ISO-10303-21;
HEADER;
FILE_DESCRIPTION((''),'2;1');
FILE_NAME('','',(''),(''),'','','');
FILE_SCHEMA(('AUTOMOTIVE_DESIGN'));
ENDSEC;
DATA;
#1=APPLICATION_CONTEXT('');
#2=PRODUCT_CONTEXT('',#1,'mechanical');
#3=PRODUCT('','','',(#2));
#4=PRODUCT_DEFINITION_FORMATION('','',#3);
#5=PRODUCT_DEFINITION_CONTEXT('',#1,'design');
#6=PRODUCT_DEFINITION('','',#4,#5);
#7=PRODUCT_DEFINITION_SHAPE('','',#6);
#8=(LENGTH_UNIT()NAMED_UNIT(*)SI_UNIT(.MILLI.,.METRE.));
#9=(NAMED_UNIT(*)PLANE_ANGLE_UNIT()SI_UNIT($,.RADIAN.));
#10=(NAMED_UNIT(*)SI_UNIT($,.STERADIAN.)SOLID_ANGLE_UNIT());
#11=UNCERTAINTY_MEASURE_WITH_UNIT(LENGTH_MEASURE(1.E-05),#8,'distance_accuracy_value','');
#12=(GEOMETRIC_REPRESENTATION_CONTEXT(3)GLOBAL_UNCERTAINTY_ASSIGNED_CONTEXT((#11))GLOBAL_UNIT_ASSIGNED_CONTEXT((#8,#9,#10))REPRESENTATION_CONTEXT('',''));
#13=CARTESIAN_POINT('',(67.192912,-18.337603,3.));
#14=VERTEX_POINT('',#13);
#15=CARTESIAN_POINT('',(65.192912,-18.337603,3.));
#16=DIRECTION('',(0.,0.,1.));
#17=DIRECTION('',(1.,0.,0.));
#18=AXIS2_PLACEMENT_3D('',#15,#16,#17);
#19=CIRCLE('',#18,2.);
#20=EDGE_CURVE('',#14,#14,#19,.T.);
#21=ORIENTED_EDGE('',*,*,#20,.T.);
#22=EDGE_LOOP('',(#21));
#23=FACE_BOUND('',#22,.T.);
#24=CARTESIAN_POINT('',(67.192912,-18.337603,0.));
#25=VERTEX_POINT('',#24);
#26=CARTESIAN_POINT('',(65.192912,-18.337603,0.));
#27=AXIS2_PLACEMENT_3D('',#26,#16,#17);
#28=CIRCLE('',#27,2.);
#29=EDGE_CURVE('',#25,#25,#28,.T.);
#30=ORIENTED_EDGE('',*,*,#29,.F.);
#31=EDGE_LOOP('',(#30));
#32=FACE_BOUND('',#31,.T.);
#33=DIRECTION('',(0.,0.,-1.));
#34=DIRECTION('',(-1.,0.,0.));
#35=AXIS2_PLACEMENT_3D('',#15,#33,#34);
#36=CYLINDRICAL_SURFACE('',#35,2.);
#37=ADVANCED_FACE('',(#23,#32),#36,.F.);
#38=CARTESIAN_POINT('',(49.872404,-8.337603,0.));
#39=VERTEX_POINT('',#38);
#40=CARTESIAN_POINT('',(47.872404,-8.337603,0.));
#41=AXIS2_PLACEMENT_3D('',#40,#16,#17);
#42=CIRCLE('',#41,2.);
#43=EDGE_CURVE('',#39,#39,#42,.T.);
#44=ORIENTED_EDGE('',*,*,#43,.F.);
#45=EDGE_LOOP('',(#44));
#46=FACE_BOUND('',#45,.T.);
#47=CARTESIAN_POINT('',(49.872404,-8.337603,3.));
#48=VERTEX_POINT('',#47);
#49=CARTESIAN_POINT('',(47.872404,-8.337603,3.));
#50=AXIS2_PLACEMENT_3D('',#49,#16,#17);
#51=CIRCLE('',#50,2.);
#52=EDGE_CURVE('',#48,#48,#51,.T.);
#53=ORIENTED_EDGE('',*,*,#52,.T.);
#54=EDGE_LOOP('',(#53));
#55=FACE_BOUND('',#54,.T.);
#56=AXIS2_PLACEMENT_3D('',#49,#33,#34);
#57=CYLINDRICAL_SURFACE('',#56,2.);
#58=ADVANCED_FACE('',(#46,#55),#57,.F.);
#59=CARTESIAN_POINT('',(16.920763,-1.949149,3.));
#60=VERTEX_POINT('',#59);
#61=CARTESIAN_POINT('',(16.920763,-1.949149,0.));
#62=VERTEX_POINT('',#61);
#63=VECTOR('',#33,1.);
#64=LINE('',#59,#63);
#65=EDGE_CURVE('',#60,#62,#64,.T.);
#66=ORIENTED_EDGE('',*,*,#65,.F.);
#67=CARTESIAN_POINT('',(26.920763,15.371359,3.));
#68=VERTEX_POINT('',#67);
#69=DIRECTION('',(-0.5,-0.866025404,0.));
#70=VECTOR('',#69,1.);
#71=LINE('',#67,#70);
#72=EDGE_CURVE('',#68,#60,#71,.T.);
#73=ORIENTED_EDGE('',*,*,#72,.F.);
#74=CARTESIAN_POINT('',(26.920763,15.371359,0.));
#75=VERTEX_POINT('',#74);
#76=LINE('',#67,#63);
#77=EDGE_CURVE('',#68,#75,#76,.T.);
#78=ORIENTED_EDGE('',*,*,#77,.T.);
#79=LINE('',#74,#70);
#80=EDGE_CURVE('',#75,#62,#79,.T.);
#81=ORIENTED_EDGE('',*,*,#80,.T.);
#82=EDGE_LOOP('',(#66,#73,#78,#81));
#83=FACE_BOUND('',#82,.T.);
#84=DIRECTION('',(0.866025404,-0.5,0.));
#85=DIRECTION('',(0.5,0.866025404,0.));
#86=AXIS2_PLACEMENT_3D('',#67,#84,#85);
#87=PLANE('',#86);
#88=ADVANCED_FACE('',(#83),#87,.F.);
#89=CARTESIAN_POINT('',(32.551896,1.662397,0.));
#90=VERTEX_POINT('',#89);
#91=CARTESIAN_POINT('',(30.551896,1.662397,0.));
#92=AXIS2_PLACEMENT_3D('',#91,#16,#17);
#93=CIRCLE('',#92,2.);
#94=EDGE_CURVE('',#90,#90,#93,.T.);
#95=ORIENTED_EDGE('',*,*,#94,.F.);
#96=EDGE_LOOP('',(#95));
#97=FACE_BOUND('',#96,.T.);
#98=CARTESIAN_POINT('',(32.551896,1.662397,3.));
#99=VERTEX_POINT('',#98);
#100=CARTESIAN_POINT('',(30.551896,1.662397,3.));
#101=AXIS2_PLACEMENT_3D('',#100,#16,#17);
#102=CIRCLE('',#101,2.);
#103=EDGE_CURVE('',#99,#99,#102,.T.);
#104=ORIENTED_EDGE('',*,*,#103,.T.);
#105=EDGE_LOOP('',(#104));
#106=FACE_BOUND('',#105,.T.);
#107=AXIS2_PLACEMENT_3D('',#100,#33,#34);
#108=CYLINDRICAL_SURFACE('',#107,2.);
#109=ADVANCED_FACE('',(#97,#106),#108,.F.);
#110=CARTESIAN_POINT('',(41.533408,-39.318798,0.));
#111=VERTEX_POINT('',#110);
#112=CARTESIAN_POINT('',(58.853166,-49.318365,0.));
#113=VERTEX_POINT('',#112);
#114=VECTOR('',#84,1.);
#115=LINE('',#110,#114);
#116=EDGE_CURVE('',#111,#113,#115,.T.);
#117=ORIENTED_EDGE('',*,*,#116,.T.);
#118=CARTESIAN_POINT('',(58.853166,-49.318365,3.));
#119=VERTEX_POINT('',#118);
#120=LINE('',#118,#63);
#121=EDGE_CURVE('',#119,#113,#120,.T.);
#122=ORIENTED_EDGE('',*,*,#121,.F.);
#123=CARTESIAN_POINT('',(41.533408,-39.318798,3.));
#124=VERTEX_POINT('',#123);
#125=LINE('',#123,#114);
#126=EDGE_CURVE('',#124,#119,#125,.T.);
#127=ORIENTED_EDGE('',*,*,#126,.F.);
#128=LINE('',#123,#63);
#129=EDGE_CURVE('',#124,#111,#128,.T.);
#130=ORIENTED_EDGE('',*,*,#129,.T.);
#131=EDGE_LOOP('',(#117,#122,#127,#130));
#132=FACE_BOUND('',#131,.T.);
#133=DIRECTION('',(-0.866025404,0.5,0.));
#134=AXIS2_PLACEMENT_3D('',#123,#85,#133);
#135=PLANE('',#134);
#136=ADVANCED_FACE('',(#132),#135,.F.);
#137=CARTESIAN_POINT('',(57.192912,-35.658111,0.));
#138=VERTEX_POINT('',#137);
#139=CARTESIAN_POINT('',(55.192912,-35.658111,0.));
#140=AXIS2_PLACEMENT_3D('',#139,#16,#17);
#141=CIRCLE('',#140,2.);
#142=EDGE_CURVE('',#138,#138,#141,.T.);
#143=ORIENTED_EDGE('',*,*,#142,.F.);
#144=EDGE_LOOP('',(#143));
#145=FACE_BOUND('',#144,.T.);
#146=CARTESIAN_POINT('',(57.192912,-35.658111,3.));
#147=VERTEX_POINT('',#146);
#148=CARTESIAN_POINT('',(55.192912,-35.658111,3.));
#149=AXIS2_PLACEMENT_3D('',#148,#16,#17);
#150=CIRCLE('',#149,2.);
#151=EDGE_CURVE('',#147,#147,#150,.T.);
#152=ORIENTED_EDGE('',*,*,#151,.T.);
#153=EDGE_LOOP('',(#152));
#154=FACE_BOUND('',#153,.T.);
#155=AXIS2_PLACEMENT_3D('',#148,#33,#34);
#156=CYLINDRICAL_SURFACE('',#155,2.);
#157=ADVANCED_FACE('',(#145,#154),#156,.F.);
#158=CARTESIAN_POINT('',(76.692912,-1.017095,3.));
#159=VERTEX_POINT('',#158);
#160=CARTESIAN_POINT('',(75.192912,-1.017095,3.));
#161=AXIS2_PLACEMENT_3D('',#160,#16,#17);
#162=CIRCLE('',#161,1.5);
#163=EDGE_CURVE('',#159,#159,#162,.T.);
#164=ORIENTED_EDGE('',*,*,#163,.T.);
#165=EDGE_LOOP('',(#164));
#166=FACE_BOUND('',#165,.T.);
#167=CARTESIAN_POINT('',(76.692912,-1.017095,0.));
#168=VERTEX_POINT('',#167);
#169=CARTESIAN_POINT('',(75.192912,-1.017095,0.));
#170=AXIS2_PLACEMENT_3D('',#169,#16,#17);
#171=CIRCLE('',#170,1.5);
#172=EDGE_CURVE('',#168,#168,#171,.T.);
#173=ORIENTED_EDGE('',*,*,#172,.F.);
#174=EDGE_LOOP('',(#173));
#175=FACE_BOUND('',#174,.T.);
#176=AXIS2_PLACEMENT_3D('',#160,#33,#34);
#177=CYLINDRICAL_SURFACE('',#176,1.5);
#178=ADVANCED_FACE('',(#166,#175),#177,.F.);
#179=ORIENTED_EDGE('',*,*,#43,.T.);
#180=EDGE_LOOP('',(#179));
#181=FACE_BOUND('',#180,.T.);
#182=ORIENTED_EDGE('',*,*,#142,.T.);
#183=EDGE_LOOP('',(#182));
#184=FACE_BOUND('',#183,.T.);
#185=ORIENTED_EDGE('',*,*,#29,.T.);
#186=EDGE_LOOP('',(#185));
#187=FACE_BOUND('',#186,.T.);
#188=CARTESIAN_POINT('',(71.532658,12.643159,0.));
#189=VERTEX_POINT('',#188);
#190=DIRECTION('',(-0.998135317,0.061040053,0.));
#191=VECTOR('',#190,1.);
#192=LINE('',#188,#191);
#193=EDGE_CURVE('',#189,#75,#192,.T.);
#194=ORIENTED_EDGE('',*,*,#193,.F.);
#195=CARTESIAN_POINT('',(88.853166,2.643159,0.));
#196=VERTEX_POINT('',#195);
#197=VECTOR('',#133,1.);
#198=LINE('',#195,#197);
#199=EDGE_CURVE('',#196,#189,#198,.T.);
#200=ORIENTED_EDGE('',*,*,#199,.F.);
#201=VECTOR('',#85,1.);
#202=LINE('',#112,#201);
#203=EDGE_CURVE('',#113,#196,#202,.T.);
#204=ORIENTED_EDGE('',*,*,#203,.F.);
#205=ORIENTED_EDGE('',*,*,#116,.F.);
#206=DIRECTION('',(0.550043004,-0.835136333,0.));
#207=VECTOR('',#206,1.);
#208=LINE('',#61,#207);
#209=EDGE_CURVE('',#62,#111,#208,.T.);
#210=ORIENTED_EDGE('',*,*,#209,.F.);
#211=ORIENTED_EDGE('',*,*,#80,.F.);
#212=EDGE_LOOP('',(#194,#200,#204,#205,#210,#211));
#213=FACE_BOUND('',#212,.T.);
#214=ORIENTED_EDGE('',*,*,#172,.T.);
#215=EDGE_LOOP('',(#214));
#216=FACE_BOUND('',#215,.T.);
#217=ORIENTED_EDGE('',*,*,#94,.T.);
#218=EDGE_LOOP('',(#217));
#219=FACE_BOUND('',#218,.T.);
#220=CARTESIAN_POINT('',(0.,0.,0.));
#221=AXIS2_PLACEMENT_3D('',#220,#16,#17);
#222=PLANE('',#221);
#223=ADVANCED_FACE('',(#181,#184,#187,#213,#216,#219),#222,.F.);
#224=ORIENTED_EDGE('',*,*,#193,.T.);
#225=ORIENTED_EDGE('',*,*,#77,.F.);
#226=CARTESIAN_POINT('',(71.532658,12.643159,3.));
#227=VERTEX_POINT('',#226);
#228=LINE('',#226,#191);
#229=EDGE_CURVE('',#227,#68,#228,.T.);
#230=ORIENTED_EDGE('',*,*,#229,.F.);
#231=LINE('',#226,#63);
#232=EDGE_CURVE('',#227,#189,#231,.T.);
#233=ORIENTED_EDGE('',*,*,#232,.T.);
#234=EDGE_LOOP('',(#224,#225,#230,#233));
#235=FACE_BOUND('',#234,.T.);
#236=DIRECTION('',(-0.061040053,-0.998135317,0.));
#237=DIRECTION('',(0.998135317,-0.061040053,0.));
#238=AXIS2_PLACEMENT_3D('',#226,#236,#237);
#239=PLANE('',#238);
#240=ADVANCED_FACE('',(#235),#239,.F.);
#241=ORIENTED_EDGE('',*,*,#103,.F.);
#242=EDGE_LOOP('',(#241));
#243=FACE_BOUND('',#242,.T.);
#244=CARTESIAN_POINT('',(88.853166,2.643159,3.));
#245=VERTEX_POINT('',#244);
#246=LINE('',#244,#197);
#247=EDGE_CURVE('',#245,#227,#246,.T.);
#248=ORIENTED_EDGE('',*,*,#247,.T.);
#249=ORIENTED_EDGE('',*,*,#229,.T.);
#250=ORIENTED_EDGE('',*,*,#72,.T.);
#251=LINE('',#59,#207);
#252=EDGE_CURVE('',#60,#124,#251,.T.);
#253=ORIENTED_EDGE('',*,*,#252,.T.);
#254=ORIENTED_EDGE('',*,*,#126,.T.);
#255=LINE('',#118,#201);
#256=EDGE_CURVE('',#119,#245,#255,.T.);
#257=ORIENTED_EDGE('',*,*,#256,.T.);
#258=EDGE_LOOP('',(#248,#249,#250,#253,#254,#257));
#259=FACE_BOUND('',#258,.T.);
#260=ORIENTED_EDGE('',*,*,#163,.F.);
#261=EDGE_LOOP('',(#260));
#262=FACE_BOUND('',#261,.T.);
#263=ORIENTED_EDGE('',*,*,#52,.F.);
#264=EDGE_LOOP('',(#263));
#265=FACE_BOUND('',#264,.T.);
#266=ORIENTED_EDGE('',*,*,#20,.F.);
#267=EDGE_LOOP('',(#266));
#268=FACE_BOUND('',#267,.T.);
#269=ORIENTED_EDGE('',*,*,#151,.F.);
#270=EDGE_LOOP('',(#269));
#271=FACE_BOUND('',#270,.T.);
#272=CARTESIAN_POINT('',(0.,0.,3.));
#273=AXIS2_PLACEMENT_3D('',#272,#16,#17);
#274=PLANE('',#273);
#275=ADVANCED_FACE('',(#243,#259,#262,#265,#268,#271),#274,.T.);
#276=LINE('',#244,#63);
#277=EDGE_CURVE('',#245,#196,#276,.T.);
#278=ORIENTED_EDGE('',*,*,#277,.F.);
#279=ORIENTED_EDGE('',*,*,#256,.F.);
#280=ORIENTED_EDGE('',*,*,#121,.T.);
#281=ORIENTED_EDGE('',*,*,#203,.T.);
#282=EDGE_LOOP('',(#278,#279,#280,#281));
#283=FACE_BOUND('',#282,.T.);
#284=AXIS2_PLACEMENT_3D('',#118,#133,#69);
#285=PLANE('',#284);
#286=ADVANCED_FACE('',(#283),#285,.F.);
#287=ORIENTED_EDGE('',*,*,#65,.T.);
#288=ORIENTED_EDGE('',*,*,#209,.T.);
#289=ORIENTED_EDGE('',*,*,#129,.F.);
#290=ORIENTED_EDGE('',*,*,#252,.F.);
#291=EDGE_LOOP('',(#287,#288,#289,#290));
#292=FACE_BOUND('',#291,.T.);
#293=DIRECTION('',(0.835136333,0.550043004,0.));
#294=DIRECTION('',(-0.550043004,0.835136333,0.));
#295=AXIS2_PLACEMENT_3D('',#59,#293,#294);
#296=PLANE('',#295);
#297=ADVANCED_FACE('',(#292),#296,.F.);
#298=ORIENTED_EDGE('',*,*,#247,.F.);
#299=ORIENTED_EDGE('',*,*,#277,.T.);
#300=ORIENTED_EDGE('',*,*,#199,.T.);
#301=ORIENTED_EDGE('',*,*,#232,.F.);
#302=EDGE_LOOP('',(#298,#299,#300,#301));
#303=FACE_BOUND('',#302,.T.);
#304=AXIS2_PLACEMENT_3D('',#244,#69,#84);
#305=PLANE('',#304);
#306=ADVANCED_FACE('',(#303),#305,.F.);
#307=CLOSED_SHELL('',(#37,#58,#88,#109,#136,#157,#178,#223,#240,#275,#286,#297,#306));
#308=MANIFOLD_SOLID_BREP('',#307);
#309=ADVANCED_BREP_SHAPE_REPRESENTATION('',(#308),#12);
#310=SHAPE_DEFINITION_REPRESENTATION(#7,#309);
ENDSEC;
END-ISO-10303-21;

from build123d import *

# Parameters (mm, degrees)
SKETCH_1_R      = 2
SKETCH_1_R_2    = 1.5
EXTRUDE_1_DEPTH = 3


with BuildPart() as part:
    # 草图1 → 凸台-拉伸1 (new body)
    with BuildSketch(Plane.XY):
        Polygon((58.853165856, -49.318365271), (88.853165856, 2.643158956), (71.53265778, 12.643158956), (26.920763037, 15.371358588), (16.920763037, -1.949149488), (41.533407781, -39.318798283), align=None)
        with Locations((55.192911818, -35.658111233)):
            Circle(SKETCH_1_R, mode=Mode.SUBTRACT)
        with Locations((65.192911818, -18.337603157)):
            Circle(SKETCH_1_R, mode=Mode.SUBTRACT)
        with Locations((75.192911818, -1.017095081)):
            Circle(SKETCH_1_R_2, mode=Mode.SUBTRACT)
        with Locations((47.872403743, -8.337603157)):
            Circle(SKETCH_1_R, mode=Mode.SUBTRACT)
        with Locations((30.551895667, 1.662396843)):
            Circle(SKETCH_1_R, mode=Mode.SUBTRACT)
    extrude(amount=EXTRUDE_1_DEPTH)


solid = part.part
